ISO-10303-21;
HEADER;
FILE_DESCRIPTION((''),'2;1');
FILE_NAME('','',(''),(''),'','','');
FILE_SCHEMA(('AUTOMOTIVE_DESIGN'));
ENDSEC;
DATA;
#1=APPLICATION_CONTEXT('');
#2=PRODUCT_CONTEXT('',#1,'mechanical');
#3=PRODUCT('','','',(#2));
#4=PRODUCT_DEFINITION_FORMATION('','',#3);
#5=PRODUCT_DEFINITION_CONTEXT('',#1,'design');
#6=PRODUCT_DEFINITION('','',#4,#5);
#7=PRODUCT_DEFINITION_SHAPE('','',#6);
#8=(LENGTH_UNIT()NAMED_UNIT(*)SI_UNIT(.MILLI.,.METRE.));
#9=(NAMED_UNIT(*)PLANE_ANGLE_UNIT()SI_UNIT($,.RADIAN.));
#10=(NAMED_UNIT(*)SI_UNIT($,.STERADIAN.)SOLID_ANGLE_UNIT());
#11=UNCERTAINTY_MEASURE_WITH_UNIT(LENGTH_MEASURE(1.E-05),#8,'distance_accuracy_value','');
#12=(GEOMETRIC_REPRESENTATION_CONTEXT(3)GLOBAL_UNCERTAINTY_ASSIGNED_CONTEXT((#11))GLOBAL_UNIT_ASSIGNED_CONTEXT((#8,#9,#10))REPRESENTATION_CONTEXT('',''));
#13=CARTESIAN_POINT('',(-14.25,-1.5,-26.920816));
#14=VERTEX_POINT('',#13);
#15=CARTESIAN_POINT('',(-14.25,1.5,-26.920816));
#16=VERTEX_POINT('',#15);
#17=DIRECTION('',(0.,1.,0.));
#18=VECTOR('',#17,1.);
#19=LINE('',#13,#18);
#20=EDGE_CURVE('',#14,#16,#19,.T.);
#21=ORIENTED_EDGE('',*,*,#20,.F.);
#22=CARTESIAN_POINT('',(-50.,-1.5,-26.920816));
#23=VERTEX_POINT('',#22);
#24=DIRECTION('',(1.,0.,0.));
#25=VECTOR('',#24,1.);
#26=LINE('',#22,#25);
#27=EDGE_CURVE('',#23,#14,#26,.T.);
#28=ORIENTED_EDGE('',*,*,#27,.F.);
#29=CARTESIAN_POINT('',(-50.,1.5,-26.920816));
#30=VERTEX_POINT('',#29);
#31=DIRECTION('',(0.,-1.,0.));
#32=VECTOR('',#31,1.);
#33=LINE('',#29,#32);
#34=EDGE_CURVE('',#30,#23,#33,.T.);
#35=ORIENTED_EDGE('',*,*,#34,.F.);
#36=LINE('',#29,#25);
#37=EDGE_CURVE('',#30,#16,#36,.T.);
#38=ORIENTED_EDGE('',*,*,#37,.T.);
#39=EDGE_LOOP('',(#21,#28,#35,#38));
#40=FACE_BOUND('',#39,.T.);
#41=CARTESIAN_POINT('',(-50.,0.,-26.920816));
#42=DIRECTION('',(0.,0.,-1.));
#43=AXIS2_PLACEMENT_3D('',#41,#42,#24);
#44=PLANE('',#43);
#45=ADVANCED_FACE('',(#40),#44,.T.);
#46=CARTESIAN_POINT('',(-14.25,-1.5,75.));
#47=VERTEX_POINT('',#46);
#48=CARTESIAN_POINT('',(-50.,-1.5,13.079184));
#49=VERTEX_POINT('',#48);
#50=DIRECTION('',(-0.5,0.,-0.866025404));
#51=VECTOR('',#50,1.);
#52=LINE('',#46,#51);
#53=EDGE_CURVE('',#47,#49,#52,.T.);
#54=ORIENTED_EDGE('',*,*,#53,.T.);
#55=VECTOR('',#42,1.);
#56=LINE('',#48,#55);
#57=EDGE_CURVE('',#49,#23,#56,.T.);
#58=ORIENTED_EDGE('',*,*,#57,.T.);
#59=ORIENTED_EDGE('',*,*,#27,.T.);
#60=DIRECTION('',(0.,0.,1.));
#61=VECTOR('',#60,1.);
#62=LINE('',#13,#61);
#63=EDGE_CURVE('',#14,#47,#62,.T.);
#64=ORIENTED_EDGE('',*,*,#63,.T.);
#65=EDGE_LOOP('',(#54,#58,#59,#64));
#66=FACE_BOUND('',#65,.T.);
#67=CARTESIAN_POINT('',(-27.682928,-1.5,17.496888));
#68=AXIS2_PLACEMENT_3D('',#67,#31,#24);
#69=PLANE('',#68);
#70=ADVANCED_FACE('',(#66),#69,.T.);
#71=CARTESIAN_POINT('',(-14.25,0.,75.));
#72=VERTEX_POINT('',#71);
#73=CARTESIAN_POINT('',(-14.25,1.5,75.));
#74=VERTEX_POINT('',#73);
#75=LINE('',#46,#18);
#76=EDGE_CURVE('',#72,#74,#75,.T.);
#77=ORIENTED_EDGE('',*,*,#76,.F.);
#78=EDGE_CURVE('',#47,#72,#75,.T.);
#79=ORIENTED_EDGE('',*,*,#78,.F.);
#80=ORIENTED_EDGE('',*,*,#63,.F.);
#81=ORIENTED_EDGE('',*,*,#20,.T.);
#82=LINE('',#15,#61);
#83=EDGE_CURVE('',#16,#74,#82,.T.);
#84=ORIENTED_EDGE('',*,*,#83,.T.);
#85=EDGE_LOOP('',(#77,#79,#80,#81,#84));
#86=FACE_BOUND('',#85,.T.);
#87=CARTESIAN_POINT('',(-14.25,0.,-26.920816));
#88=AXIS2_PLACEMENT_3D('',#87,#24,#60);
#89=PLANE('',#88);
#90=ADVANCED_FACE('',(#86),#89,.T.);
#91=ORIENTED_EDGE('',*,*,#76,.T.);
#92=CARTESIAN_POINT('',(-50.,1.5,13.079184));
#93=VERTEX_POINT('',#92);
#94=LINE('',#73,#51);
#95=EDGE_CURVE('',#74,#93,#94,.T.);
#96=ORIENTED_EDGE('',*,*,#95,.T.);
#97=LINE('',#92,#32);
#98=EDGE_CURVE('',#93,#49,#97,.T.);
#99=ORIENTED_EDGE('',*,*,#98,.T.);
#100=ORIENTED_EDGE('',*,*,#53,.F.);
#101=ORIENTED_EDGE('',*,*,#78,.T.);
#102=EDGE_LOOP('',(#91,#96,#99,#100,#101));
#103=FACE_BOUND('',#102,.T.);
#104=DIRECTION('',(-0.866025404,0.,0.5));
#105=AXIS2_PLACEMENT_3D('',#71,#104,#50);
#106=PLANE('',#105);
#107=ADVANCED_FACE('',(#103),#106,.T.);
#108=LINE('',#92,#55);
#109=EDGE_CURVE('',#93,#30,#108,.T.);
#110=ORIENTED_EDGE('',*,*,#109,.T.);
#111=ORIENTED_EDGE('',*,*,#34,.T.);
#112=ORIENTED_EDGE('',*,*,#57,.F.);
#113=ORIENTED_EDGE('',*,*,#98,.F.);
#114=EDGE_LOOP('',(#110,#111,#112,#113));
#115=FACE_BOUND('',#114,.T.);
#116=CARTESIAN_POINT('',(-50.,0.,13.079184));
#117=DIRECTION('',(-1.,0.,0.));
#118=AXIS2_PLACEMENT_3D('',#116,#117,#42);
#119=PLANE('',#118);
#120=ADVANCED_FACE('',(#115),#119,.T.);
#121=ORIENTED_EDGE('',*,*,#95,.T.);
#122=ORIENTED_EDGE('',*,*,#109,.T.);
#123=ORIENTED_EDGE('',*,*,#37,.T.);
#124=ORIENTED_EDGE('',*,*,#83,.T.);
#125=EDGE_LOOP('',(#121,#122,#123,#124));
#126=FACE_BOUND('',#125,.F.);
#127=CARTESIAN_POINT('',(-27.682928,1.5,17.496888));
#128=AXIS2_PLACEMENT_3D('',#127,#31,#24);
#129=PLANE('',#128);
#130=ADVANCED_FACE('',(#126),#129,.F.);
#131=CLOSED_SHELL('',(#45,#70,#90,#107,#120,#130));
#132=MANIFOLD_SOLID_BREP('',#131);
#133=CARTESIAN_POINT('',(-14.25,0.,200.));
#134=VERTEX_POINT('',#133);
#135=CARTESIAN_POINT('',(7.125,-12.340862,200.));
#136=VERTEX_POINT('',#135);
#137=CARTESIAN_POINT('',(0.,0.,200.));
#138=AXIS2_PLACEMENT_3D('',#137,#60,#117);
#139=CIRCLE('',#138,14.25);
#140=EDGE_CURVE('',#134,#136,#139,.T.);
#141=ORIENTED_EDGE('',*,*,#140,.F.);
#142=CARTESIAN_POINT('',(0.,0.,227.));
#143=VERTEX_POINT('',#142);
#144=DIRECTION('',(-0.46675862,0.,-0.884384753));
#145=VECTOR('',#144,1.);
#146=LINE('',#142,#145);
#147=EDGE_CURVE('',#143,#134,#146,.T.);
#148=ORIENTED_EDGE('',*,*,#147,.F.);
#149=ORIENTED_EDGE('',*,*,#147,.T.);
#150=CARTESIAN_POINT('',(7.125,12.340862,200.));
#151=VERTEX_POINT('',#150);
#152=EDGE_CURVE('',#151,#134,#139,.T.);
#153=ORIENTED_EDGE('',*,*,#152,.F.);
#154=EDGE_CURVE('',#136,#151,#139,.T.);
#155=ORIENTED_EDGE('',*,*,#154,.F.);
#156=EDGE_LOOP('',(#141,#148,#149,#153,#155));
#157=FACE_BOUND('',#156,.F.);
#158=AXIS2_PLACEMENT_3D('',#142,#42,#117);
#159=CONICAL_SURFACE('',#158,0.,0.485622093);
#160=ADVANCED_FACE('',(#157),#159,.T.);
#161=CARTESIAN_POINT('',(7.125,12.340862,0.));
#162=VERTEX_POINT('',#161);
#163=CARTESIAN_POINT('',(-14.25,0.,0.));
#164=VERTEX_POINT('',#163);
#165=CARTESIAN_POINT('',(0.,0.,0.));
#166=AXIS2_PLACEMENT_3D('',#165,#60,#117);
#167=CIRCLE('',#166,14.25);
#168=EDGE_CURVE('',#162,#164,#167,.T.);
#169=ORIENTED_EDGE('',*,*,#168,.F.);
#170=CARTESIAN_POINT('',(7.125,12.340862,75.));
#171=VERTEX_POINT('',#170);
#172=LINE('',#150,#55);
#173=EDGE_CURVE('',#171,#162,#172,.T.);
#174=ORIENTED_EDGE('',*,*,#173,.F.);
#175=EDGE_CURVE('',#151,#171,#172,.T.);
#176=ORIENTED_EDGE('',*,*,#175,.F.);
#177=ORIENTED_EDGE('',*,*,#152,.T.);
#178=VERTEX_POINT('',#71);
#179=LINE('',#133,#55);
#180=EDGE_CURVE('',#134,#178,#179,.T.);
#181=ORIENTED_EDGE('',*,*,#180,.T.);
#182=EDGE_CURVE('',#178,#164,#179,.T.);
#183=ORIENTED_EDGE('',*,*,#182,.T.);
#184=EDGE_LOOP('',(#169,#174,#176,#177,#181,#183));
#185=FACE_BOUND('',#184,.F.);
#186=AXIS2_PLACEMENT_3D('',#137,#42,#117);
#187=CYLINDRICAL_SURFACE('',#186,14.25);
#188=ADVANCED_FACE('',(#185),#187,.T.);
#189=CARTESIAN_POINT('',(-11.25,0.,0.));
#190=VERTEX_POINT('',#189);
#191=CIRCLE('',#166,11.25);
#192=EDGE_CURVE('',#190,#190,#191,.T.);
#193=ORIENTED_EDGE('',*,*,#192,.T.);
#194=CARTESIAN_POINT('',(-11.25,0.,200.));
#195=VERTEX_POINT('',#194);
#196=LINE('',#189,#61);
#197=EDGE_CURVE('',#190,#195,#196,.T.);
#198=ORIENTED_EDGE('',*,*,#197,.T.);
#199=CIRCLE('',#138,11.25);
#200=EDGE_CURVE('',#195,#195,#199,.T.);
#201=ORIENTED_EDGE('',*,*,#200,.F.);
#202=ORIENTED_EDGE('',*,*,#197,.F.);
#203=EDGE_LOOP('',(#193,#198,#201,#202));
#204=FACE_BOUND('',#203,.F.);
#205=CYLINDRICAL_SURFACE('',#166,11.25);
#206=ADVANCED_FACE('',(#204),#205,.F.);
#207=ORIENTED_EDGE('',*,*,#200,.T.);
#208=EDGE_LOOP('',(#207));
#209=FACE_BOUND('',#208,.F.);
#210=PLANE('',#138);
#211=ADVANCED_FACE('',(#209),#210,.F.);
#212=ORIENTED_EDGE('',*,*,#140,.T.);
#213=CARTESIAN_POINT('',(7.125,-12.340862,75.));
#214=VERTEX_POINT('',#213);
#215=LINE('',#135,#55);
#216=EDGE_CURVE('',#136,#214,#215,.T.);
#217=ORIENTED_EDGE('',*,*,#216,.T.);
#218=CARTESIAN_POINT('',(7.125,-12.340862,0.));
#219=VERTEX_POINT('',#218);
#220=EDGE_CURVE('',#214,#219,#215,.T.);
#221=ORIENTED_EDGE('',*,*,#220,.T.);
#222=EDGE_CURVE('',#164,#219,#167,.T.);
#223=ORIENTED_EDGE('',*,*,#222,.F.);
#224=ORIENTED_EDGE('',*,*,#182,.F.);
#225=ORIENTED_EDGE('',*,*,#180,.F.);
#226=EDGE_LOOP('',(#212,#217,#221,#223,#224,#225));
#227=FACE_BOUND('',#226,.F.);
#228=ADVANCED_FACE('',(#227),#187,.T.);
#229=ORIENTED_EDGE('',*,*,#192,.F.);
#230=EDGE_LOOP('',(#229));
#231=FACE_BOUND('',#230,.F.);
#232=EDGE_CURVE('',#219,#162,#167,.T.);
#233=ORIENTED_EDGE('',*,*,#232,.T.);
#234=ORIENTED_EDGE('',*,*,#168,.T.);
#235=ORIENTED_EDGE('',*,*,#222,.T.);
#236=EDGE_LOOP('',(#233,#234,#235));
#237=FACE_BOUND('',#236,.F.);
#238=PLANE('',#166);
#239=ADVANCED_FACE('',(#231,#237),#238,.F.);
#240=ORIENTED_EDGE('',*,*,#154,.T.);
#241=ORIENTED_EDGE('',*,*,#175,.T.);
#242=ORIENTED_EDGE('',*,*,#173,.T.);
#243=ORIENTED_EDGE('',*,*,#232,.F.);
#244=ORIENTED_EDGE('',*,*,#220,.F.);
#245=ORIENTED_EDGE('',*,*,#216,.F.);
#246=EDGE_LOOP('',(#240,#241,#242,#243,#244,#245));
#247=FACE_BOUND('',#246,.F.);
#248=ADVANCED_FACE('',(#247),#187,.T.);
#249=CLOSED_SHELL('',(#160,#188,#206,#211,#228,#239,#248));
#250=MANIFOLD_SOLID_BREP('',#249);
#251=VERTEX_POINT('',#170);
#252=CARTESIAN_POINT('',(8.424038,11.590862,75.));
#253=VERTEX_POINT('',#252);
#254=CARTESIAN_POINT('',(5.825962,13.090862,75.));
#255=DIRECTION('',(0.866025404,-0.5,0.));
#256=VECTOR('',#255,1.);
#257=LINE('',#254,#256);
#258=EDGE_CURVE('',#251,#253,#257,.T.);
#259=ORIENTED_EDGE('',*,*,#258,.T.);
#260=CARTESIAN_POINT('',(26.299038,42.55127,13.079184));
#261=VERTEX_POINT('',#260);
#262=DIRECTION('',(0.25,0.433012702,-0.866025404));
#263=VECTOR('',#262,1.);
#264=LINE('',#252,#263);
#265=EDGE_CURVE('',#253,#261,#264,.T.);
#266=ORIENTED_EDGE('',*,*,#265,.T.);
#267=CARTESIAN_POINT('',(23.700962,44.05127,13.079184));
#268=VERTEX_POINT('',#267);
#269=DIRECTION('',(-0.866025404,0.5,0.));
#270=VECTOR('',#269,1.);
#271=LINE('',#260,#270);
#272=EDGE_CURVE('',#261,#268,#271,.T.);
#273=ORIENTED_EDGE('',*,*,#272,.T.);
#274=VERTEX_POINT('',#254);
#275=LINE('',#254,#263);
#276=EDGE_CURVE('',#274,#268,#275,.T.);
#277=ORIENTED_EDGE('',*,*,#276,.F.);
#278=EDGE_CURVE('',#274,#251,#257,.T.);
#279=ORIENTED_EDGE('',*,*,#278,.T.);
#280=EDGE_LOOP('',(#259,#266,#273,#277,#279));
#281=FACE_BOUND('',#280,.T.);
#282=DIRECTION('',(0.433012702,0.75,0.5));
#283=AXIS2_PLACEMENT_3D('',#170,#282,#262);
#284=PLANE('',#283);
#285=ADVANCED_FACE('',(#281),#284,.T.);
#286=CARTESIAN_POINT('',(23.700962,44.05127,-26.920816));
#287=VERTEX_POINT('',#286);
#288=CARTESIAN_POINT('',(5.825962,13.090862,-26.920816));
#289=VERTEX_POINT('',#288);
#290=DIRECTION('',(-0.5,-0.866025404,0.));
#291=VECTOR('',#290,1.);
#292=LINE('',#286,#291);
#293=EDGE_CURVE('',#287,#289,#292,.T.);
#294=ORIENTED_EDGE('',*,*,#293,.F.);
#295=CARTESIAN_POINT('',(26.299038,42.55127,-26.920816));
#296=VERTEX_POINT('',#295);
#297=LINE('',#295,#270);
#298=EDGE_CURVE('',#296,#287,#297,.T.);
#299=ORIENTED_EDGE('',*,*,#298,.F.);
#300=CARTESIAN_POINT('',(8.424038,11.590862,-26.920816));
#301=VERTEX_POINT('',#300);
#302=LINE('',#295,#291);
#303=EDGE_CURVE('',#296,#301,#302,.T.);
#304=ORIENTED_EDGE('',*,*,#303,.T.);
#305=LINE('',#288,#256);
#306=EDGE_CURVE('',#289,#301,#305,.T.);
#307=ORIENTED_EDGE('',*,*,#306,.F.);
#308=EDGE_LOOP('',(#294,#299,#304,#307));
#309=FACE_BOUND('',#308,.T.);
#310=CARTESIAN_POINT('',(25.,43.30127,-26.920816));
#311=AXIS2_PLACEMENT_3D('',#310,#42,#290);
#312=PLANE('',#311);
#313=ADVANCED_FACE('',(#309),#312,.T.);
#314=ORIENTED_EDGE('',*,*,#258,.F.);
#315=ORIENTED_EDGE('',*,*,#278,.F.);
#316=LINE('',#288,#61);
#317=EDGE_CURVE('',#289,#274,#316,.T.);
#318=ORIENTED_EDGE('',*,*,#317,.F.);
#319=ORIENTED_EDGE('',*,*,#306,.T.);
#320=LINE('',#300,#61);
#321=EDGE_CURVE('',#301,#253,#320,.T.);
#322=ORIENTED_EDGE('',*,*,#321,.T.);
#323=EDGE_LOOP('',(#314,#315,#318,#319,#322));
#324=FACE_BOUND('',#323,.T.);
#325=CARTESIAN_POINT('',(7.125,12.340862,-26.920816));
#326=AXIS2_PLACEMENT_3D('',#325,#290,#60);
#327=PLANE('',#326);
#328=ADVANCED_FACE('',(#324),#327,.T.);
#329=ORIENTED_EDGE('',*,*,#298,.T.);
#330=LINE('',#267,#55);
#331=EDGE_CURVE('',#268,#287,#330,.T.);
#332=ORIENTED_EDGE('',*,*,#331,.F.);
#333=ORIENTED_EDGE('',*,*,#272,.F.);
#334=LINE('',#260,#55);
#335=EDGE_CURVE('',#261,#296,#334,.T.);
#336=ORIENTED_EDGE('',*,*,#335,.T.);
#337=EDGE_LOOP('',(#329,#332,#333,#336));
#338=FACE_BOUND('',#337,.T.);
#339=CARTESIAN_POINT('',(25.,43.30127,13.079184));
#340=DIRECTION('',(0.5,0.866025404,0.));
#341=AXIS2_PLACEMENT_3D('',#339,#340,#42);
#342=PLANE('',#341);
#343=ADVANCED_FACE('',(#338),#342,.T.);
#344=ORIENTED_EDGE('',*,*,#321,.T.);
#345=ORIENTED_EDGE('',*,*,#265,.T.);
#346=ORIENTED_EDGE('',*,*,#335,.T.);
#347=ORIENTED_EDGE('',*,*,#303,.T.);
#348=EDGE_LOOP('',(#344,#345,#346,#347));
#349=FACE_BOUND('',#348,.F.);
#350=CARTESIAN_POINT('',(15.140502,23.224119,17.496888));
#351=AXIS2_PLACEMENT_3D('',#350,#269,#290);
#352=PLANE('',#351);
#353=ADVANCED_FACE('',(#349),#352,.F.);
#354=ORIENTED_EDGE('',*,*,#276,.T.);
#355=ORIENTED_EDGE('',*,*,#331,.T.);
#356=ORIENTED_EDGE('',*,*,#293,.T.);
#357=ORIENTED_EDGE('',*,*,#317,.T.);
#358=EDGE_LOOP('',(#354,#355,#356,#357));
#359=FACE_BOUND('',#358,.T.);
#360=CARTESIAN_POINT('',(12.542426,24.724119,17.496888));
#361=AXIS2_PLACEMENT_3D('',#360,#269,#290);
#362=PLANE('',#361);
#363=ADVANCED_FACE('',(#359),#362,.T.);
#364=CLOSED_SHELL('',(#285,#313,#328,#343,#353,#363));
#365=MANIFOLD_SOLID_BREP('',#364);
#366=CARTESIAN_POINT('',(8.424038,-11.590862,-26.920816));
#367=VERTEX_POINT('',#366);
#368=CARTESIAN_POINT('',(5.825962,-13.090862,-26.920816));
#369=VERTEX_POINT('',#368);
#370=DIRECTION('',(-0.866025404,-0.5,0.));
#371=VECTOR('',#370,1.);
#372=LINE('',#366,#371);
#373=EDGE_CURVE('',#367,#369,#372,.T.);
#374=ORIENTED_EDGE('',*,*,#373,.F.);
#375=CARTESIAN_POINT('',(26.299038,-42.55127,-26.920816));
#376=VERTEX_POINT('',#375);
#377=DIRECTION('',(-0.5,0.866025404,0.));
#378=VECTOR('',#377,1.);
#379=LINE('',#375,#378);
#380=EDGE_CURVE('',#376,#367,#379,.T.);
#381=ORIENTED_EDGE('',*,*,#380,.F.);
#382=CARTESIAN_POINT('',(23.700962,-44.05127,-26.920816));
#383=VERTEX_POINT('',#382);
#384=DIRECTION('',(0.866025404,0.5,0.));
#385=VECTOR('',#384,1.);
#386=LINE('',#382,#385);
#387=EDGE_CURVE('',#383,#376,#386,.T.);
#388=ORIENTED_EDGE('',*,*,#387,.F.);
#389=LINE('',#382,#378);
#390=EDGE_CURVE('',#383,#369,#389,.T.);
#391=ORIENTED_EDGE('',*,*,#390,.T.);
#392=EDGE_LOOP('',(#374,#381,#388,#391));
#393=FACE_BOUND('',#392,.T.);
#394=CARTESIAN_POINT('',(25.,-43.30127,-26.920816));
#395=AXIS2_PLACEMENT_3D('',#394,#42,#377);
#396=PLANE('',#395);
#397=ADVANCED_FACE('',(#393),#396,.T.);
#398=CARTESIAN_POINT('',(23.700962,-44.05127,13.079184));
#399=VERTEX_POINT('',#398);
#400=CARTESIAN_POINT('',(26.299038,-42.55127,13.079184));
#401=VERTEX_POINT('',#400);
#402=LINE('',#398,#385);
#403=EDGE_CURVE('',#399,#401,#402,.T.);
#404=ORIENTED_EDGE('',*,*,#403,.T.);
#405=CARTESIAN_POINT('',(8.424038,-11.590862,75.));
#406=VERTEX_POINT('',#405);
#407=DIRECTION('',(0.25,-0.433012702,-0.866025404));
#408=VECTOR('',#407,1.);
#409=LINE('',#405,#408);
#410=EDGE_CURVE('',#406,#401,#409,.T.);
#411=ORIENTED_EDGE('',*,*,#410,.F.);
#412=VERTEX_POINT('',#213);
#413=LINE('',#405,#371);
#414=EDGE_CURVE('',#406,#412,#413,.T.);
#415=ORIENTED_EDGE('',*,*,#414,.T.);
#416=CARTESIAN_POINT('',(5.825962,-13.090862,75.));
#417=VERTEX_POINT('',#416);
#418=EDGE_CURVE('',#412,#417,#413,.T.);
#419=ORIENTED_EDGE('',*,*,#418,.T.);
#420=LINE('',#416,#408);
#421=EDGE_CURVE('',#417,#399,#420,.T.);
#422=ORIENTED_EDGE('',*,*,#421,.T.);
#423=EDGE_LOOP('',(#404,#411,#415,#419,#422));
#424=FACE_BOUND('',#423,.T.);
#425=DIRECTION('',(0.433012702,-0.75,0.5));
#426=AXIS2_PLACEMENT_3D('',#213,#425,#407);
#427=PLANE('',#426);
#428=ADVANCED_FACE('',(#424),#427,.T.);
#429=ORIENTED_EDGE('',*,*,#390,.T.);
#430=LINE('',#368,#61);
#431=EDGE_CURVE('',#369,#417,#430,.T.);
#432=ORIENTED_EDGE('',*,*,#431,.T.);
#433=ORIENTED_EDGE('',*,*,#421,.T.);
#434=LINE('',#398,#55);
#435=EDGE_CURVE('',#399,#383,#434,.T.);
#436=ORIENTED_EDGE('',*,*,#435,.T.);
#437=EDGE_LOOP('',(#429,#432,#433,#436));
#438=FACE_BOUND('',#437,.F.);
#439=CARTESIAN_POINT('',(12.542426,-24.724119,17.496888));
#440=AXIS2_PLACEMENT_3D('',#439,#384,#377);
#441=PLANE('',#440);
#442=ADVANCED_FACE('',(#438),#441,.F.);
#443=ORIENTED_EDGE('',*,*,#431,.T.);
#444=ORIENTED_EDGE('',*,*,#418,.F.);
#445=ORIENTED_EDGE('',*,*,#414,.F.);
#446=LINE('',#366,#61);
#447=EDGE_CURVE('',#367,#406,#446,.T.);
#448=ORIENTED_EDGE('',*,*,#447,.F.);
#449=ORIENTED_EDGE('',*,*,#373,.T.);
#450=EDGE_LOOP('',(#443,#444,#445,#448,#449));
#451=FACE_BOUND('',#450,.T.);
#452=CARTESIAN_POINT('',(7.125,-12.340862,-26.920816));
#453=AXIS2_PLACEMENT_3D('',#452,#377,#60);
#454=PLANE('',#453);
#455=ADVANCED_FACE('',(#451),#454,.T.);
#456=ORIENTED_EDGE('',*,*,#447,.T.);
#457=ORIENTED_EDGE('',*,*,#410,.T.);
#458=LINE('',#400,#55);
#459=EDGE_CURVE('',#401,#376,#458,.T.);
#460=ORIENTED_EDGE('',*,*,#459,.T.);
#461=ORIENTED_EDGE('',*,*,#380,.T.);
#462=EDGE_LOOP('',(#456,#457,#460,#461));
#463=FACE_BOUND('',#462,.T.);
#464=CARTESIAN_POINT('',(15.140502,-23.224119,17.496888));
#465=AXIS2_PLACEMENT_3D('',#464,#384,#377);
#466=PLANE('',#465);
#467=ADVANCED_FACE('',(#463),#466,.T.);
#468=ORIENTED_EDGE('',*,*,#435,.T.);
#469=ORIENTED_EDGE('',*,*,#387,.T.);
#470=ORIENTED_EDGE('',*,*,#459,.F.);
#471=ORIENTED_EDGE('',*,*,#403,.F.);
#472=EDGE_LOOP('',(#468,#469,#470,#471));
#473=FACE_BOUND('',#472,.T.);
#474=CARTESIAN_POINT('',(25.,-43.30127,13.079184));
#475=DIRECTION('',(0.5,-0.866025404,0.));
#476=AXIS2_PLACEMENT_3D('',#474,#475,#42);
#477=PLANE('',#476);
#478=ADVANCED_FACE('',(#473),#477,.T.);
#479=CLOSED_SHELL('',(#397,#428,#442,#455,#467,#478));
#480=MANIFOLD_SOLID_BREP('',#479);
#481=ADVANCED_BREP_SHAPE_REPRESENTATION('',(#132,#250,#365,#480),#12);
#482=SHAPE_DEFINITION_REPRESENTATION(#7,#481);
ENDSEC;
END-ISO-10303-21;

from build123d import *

# Parameters (mm, degrees)
F3_DEPTH = 1.5
F4_COUNT = 3


with BuildPart() as f1:
    # F0 (on Front) → F1 (revolve)
    with BuildSketch(Plane.XZ):
        Polygon((0, 200), (0, 227), (-14.25, 200), (-14.25, 0), (-11.25, 0), (-11.25, 200), align=None)
    revolve(axis=Axis((0, 0, 113.5), (0, 0, 1)))

    # F2 (on Front) → F3 (join, symmetric)
    with BuildSketch(Plane.XZ):
        Polygon((-14.25, 75), (-50, 13.0791836294), (-50, -26.9208163706), (-14.25, -26.9208163706), (-14.25, -16.9208163706), (-14.25, 0), align=None)
    extrude(amount=F3_DEPTH, both=True)

    # F4: F1 ×3 about axis
    f4_axis = Axis((0, 0, 200), (0, 0, -1))


with BuildPart() as f1_1:
    add(f1.part)
    for i in range(1, F4_COUNT):
        add(f1.part.rotate(f4_axis, i * 360 / F4_COUNT))


solid = f1_1.part
